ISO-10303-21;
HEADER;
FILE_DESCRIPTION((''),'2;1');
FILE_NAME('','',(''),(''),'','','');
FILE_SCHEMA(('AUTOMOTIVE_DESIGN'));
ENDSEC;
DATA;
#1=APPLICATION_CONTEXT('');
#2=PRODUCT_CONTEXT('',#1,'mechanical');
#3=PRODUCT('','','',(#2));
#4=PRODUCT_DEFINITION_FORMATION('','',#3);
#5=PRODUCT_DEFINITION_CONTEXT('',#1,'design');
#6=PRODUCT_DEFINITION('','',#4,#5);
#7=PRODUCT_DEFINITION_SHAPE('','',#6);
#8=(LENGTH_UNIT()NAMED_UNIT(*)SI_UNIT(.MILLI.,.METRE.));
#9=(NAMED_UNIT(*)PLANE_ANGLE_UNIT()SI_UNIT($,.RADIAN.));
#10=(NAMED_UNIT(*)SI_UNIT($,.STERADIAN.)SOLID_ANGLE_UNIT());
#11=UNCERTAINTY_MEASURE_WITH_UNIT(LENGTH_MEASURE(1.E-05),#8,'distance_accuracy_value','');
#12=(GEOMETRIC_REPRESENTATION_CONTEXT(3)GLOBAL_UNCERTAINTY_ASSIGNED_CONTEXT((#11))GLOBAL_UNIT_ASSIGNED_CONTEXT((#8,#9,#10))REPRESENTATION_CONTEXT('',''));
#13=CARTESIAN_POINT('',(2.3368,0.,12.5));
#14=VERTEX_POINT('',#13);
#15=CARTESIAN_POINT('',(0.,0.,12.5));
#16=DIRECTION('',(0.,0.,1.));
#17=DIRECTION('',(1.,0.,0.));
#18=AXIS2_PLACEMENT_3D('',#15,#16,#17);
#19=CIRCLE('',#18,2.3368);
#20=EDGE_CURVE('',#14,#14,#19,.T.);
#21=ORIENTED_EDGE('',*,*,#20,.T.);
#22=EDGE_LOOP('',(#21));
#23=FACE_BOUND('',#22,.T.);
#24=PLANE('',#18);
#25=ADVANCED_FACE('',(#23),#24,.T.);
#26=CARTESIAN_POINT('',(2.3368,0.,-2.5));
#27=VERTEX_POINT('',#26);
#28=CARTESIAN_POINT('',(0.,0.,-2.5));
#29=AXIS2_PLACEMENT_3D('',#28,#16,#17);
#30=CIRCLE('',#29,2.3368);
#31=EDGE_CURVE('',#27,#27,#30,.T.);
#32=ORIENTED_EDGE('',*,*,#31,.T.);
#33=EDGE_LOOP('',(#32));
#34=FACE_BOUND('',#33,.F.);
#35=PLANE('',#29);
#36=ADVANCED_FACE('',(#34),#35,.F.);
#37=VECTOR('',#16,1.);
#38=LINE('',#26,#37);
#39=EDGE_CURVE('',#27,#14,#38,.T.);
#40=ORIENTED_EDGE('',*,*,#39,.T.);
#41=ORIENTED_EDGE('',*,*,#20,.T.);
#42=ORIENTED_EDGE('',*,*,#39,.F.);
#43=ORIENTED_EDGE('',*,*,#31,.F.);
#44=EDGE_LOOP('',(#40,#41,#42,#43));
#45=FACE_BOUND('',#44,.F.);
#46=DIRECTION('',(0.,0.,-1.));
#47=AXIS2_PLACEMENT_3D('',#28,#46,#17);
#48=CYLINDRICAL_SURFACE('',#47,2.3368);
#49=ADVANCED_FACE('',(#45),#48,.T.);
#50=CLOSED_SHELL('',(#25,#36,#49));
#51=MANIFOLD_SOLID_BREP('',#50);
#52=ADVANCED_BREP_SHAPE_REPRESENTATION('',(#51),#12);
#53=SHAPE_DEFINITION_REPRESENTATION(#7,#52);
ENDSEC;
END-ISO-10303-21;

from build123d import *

# Parameters (mm, degrees)
CYLINDER_R     = 2.3368
CYLINDER_DEPTH = 15


with BuildPart() as part:
    # Cylinder → Cylinder (new body)
    with BuildSketch(Plane.XY.offset(-2.5)):
        Circle(CYLINDER_R)
    extrude(amount=CYLINDER_DEPTH)


solid = part.part
